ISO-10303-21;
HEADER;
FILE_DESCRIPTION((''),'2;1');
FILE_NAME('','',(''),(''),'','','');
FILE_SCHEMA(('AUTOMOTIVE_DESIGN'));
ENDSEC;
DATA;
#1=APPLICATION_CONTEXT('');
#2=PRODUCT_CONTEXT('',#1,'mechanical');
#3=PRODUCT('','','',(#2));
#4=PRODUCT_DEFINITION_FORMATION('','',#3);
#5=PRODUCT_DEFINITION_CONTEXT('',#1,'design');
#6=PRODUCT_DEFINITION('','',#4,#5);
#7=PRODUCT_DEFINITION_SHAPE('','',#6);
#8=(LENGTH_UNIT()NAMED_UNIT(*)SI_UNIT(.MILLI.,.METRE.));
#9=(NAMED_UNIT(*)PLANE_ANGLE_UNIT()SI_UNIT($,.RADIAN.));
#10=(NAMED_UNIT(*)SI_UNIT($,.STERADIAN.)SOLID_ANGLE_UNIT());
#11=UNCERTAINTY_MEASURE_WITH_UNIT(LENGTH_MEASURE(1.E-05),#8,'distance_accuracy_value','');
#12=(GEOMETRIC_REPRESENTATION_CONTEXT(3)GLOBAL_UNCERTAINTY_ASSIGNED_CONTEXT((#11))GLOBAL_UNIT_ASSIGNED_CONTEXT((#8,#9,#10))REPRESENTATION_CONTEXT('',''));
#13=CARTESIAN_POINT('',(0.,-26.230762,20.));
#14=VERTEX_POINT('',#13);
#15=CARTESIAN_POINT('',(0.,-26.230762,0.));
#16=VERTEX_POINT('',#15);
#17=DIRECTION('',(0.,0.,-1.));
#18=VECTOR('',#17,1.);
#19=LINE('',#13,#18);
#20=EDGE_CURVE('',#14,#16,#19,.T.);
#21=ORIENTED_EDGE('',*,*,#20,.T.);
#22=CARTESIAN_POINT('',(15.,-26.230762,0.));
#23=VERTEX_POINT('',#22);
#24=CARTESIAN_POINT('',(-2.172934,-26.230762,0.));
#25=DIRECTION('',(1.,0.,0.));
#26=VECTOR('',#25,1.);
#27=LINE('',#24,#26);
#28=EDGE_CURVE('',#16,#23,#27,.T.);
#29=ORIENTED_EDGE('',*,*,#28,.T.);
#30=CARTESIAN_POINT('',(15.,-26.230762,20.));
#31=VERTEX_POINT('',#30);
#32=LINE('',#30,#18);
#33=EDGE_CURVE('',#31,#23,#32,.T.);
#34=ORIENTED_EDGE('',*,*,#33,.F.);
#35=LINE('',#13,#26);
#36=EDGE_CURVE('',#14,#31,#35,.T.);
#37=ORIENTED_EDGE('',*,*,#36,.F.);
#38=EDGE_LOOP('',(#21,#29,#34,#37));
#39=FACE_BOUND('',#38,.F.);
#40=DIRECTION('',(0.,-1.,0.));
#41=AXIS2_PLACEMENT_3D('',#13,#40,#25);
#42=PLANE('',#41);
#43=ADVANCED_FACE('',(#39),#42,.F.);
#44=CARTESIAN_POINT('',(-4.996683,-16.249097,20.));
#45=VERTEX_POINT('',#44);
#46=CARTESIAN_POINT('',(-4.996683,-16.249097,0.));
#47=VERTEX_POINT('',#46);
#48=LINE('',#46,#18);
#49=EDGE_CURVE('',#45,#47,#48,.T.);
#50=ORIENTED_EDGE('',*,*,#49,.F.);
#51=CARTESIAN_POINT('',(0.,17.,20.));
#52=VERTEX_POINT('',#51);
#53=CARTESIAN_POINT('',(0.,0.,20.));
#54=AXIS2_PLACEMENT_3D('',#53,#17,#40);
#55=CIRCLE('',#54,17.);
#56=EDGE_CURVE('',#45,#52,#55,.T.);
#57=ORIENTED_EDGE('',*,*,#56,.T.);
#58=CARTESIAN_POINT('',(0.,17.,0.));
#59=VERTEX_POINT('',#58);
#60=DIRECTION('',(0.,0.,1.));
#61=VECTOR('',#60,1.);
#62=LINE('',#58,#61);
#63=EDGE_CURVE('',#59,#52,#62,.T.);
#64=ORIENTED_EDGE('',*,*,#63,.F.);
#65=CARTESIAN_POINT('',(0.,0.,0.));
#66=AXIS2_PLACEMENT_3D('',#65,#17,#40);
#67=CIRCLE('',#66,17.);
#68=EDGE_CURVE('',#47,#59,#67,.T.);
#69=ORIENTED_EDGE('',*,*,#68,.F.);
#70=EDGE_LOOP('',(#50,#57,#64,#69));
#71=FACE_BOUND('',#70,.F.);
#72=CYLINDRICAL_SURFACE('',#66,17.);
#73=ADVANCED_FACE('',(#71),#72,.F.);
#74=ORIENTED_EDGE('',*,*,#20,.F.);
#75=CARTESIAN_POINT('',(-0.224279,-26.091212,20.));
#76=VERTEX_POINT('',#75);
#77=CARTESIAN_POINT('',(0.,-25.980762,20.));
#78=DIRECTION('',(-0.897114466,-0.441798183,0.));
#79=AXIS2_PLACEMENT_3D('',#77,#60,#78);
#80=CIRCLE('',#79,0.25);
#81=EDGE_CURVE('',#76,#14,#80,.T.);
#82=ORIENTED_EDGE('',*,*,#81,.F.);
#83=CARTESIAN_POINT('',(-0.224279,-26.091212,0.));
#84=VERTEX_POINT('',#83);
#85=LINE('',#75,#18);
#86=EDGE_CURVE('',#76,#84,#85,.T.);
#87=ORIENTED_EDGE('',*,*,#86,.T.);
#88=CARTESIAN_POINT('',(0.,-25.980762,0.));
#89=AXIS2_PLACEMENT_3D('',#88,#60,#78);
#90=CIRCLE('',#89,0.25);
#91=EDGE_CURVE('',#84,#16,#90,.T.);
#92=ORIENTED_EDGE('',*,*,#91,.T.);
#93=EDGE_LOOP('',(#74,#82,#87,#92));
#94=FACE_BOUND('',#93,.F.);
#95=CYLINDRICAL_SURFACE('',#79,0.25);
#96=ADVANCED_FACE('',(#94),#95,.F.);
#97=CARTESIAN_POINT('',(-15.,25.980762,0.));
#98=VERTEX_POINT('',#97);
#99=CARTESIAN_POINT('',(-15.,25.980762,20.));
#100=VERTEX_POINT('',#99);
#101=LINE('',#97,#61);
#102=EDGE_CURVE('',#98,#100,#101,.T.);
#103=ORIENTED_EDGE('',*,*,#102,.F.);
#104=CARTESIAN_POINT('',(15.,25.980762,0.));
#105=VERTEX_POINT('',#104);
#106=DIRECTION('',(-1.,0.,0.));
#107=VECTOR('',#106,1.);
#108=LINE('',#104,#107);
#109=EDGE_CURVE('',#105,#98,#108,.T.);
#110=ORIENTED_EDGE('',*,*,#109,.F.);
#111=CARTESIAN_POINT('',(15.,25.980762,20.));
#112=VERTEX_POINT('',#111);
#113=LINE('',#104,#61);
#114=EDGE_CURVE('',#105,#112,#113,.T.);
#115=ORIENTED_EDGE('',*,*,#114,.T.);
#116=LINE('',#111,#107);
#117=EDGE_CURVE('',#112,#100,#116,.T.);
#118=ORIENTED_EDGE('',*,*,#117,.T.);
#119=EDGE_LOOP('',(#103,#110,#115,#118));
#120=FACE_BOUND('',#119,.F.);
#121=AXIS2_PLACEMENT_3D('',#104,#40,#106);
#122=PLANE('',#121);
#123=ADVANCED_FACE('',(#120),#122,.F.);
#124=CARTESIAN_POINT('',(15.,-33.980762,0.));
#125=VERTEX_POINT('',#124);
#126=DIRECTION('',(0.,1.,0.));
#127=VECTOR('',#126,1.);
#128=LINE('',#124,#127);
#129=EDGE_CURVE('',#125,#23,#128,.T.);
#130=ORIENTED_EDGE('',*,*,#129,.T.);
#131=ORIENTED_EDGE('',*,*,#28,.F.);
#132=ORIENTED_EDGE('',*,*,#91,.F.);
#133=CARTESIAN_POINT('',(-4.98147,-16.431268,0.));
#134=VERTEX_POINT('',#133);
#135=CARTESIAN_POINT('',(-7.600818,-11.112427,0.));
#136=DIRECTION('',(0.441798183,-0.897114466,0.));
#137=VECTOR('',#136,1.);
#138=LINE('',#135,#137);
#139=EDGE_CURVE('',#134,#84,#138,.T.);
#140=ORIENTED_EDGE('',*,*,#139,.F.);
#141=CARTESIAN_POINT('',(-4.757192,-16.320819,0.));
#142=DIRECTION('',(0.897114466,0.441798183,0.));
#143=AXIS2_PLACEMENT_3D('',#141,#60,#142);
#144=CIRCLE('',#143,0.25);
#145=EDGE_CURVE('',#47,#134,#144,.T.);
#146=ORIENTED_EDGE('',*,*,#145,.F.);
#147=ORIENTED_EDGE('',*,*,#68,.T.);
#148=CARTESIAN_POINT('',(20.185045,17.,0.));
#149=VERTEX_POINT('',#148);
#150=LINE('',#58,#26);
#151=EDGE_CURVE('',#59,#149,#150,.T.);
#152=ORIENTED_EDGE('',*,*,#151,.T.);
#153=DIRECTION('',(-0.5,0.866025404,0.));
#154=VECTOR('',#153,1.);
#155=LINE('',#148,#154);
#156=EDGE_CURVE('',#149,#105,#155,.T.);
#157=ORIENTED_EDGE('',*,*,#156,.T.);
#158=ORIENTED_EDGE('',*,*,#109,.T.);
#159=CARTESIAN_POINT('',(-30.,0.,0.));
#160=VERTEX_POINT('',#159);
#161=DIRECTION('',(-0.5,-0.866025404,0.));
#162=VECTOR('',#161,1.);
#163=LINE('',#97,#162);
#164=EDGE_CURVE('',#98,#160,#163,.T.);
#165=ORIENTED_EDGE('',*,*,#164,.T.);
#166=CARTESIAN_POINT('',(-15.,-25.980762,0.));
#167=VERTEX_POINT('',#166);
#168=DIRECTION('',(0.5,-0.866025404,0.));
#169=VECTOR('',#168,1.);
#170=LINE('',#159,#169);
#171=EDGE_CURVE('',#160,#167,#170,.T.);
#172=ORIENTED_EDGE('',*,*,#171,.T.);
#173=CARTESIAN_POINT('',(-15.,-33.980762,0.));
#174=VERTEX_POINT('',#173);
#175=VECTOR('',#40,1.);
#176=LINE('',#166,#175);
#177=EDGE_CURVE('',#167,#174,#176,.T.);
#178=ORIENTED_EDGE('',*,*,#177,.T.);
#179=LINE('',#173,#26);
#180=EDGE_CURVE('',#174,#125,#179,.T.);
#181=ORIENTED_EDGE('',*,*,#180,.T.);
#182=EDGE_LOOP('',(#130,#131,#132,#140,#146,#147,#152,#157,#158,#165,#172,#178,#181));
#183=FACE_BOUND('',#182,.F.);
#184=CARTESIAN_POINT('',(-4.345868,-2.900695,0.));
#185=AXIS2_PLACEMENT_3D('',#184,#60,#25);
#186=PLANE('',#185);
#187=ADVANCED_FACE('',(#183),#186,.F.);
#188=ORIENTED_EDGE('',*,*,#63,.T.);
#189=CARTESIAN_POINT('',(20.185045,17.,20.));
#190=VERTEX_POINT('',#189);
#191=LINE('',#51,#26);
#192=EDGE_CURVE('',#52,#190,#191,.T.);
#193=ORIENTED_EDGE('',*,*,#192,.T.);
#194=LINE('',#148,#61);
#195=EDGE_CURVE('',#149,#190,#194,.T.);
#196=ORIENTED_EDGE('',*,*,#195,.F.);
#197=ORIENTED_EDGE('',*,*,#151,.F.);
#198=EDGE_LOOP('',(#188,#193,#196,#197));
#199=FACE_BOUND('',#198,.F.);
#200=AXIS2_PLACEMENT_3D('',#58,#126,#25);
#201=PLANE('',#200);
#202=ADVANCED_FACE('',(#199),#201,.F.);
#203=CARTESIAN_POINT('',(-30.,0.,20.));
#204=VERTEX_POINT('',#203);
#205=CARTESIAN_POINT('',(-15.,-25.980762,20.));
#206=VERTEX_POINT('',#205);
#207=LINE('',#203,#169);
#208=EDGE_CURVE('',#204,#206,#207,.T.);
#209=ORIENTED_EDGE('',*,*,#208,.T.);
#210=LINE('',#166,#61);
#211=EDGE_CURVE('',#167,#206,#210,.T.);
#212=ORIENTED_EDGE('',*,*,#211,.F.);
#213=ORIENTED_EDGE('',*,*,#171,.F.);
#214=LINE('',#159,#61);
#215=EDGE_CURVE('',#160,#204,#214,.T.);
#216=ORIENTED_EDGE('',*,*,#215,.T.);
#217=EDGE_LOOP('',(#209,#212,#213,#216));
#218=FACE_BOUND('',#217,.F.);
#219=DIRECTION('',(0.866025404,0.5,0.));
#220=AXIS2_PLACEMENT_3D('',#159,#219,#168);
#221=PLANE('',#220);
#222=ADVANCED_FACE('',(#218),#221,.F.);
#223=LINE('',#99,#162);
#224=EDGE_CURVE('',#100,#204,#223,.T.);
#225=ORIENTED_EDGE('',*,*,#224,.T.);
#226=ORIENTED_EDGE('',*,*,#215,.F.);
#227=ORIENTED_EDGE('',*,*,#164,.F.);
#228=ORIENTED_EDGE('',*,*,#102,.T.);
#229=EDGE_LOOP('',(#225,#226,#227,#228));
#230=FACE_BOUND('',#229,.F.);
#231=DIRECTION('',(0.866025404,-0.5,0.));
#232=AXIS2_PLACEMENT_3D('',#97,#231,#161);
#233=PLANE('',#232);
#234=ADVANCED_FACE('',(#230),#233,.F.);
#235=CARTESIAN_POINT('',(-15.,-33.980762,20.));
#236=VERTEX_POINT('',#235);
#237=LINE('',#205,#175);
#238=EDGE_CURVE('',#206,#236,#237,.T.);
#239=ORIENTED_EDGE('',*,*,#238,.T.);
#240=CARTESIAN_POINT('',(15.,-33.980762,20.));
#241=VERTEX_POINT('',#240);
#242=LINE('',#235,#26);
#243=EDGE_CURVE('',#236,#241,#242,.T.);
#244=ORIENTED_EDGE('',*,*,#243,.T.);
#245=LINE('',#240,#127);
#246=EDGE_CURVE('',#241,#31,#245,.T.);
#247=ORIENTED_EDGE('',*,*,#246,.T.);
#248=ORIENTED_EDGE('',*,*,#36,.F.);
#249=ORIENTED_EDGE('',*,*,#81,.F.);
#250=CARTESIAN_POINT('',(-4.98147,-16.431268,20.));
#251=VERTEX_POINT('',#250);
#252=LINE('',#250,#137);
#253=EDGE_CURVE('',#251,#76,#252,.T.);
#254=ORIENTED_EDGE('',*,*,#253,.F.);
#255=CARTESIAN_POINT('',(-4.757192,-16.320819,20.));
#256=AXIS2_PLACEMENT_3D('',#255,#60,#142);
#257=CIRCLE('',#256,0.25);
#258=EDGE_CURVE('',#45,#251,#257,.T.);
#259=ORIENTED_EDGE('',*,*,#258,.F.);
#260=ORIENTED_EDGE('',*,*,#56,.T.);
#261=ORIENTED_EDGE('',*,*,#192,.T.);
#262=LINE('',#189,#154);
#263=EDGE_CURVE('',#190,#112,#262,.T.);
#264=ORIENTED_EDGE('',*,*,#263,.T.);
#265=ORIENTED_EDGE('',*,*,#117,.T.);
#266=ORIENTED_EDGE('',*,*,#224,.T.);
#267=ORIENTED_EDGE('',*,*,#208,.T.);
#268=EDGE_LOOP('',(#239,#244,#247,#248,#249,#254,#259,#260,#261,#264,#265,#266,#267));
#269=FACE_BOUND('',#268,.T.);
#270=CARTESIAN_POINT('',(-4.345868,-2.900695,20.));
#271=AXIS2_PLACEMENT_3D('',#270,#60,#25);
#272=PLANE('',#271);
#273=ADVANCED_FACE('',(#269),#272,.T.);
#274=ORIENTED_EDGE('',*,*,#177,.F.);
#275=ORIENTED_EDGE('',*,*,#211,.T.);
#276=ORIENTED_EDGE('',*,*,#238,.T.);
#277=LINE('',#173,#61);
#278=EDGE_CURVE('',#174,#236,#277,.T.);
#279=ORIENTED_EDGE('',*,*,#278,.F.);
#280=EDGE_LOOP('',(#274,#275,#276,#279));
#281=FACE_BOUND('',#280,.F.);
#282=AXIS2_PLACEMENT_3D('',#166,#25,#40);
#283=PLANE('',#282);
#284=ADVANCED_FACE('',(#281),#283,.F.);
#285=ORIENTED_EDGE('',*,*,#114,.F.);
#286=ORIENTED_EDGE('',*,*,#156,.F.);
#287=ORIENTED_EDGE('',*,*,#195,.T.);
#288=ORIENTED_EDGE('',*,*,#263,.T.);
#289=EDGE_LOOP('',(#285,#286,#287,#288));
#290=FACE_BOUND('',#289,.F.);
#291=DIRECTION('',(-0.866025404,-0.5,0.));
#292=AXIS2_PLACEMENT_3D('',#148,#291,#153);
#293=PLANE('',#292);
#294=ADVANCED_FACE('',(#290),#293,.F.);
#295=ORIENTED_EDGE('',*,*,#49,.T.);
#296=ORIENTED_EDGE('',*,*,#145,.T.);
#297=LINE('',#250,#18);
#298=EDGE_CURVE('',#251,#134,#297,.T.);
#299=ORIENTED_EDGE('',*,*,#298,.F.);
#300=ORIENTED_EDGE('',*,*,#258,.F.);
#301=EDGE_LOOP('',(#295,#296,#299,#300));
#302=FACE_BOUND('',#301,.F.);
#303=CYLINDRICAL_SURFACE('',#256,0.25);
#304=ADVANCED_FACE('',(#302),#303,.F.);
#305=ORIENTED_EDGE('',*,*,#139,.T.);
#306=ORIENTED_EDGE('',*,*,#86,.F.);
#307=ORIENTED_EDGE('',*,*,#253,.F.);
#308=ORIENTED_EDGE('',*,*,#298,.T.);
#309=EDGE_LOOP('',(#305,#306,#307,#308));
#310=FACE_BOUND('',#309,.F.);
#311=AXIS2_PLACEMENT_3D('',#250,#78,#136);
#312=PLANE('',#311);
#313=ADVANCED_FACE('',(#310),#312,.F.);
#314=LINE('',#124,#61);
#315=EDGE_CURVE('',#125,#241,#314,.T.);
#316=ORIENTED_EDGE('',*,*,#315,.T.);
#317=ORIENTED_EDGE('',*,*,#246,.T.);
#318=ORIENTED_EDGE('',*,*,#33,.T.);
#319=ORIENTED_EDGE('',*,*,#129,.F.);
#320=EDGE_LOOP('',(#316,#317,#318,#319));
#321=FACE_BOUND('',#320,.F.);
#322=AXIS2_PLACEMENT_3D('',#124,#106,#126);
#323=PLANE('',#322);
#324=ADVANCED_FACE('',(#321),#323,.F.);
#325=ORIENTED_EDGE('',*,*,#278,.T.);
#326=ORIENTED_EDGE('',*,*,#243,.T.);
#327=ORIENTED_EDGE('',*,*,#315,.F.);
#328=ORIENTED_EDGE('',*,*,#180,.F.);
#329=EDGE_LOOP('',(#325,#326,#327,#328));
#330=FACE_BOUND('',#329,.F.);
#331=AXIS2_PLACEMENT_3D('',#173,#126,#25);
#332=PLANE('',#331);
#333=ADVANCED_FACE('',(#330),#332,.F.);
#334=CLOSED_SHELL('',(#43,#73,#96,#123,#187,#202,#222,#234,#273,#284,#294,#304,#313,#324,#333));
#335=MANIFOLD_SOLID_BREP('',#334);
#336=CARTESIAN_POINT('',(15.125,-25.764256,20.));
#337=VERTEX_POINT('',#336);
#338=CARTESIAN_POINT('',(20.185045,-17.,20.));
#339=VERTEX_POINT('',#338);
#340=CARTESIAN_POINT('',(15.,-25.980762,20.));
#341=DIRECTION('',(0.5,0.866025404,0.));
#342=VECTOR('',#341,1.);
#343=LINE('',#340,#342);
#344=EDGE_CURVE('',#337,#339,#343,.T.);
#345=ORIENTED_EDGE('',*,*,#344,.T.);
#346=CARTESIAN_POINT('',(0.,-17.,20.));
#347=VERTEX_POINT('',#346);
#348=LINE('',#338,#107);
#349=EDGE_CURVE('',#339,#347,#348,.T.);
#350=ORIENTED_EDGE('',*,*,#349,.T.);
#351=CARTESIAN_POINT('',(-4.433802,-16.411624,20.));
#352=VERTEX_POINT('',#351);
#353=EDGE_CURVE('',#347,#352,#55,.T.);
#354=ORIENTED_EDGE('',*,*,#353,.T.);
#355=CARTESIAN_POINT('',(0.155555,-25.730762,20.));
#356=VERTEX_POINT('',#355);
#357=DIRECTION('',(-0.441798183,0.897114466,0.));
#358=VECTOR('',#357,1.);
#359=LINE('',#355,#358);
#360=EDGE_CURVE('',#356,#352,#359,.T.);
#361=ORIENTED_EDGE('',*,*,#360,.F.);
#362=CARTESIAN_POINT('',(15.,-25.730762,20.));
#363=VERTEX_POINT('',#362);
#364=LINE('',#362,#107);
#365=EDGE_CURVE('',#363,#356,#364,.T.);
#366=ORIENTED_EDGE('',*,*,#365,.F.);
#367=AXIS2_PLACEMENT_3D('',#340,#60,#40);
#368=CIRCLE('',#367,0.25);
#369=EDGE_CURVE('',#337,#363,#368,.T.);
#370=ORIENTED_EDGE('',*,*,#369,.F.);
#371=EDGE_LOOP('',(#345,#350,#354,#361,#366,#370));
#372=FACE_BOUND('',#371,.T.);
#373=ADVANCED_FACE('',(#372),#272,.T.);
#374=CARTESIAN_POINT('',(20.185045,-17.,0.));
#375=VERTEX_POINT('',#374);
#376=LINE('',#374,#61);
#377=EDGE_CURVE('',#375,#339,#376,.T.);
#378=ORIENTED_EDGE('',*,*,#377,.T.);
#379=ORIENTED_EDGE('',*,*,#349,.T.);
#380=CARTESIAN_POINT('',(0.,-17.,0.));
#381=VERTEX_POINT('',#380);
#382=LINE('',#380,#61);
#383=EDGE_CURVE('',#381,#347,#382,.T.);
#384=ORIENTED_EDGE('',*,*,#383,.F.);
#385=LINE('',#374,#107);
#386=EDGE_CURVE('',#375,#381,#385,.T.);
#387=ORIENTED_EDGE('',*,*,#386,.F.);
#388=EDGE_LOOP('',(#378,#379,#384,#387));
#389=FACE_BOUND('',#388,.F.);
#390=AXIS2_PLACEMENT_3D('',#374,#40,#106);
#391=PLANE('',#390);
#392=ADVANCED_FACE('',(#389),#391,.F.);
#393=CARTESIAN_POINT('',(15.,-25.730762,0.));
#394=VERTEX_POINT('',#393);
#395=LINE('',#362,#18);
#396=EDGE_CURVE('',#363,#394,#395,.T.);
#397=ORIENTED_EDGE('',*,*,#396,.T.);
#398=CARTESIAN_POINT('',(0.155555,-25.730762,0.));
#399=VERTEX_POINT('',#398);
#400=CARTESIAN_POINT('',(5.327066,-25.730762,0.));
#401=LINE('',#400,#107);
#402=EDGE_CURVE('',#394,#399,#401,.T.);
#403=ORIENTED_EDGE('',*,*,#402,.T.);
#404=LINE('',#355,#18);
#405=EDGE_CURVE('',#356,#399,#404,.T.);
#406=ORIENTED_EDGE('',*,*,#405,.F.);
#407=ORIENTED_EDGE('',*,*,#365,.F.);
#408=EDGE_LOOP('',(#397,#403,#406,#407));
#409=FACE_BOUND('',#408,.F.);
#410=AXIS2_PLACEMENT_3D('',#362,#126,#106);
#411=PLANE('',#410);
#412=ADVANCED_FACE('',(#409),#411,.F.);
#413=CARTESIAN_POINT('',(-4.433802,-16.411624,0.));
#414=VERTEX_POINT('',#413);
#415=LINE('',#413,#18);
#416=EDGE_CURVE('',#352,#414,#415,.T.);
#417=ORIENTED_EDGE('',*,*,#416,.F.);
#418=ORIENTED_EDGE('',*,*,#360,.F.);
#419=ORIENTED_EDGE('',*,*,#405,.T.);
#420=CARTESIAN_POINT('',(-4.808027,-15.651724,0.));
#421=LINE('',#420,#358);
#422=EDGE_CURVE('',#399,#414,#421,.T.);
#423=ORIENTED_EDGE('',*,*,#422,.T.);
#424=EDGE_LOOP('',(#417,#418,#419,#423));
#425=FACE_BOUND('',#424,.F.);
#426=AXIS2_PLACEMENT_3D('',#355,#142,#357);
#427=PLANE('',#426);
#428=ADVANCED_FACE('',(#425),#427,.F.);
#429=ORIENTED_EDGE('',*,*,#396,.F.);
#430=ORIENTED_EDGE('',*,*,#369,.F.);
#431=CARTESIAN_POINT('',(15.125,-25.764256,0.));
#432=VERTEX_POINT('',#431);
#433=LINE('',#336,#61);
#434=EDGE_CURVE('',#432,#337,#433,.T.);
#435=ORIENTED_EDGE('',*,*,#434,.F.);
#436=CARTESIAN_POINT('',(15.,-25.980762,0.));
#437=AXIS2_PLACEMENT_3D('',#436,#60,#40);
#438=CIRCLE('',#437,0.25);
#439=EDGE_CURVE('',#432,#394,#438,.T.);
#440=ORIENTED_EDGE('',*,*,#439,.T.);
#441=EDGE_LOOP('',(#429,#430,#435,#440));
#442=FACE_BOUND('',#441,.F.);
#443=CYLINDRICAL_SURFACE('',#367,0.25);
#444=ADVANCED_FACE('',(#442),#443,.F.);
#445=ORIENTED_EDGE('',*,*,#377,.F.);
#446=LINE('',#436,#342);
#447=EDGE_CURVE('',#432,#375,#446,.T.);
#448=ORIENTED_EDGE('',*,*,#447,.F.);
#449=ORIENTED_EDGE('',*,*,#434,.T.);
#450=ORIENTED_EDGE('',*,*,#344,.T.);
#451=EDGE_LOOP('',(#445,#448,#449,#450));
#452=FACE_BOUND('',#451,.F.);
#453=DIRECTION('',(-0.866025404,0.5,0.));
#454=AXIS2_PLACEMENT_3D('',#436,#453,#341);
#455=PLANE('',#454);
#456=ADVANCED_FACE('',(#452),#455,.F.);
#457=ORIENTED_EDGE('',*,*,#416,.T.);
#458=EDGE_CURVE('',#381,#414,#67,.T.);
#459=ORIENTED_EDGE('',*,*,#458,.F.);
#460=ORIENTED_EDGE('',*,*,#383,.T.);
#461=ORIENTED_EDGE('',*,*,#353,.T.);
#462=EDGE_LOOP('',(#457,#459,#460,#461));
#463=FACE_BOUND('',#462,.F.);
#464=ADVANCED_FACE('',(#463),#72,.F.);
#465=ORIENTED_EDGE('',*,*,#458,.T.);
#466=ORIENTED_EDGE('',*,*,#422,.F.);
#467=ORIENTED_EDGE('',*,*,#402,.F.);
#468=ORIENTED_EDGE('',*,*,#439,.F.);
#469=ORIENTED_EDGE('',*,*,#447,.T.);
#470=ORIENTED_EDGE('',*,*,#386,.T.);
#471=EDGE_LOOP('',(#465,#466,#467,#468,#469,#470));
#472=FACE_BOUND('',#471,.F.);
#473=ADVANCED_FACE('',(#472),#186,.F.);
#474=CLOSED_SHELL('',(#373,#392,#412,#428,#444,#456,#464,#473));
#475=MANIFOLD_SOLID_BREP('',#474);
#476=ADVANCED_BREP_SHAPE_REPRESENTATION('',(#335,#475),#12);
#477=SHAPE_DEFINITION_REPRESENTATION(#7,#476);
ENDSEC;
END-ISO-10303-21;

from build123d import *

# Parameters (mm, degrees)
F1_DEPTH = 20
F3_DEPTH = 25


with BuildPart() as f1:
    # F0 (on Top) → F1 (new body)
    with BuildSketch(Plane.XY):
        with BuildLine():
            Line((15, 25.9807621135), (-15, 25.9807621135))
            Line((-15, 25.9807621135), (-30, 0))
            Line((-30, 0), (-15, -25.9807621135))
            Line((-15, -25.9807621135), (-15, -33.9807621135))
            Line((-15, -33.9807621135), (15, -33.9807621135))
            Line((15, -33.9807621135), (15, -25.9807621135))
            Line((15, -25.9807621135), (20.1850454238, -17))
            Line((20.1850454238, -17), (0, -17))
            ThreePointArc((0, -17), (-17, 0), (0, 17))
            Line((0, 17), (20.1850454238, 17))
            Line((20.1850454238, 17), (15, 25.9807621135))
        make_face()
    extrude(amount=F1_DEPTH)

    # F2 (on face) → F3 (cut)
    with BuildSketch(Plane.XY.offset(20)):
        with BuildLine():
            ThreePointArc((0, -26.2307621135), (0.1767766953, -26.1575388088), (0.25, -25.9807621135))
            Line((0.25, -25.9807621135), (0, -25.9807621135))
            Line((0, -25.9807621135), (-0.1104495459, -25.756483497))
            ThreePointArc((-0.1104495459, -25.756483497), (-0.2366885535, -25.9002728058), (-0.2242786165, -26.0912116594))
            ThreePointArc((-0.2242786165, -26.0912116594), (-0.1320750043, -26.1930265553), (0, -26.2307621135))
        make_face()
        with BuildLine():
            Line((0, -25.9807621135), (0.25, -25.9807621135))
            ThreePointArc((0.25, -25.9807621135), (0.2434847574, -25.9240596185), (0.2242786165, -25.8703125677))
            Line((0.2242786165, -25.8703125677), (0.155554792, -25.7307621135))
            Line((0.155554792, -25.7307621135), (0, -25.7307621135))
            ThreePointArc((0, -25.7307621135), (-0.056702495, -25.7372773562), (-0.1104495459, -25.756483497))
            Line((-0.1104495459, -25.756483497), (0, -25.9807621135))
        make_face()
        with BuildLine():
            ThreePointArc((0.2242786165, -25.8703125677), (0.2434847574, -25.9240596185), (0.25, -25.9807621135))
            ThreePointArc((0.25, -25.9807621135), (0.1767766953, -26.1575388088), (0, -26.2307621135))
            Line((0, -26.2307621135), (15, -26.2307621135))
            ThreePointArc((15, -26.2307621135), (15.25, -25.9807621135), (15, -25.7307621135))
            Line((15, -25.7307621135), (0.155554792, -25.7307621135))
            Line((0.155554792, -25.7307621135), (0.2242786165, -25.8703125677))
        make_face()
        with BuildLine():
            ThreePointArc((-0.2242786165, -26.0912116594), (-0.2366885535, -25.9002728058), (-0.1104495459, -25.756483497))
            ThreePointArc((-0.1104495459, -25.756483497), (-0.056702495, -25.7372773562), (0, -25.7307621135))
            Line((0, -25.7307621135), (0.155554792, -25.7307621135))
            Line((0.155554792, -25.7307621135), (-4.5329129602, -16.2103693154))
            ThreePointArc((-4.5329129602, -16.2103693154), (-4.8676411226, -16.0965402448), (-4.9814701932, -16.4312684071))
            Line((-4.9814701932, -16.4312684071), (-0.2242786165, -26.0912116594))
        make_face()
    extrude(amount=-F3_DEPTH, mode=Mode.SUBTRACT)


solid = f1.part
